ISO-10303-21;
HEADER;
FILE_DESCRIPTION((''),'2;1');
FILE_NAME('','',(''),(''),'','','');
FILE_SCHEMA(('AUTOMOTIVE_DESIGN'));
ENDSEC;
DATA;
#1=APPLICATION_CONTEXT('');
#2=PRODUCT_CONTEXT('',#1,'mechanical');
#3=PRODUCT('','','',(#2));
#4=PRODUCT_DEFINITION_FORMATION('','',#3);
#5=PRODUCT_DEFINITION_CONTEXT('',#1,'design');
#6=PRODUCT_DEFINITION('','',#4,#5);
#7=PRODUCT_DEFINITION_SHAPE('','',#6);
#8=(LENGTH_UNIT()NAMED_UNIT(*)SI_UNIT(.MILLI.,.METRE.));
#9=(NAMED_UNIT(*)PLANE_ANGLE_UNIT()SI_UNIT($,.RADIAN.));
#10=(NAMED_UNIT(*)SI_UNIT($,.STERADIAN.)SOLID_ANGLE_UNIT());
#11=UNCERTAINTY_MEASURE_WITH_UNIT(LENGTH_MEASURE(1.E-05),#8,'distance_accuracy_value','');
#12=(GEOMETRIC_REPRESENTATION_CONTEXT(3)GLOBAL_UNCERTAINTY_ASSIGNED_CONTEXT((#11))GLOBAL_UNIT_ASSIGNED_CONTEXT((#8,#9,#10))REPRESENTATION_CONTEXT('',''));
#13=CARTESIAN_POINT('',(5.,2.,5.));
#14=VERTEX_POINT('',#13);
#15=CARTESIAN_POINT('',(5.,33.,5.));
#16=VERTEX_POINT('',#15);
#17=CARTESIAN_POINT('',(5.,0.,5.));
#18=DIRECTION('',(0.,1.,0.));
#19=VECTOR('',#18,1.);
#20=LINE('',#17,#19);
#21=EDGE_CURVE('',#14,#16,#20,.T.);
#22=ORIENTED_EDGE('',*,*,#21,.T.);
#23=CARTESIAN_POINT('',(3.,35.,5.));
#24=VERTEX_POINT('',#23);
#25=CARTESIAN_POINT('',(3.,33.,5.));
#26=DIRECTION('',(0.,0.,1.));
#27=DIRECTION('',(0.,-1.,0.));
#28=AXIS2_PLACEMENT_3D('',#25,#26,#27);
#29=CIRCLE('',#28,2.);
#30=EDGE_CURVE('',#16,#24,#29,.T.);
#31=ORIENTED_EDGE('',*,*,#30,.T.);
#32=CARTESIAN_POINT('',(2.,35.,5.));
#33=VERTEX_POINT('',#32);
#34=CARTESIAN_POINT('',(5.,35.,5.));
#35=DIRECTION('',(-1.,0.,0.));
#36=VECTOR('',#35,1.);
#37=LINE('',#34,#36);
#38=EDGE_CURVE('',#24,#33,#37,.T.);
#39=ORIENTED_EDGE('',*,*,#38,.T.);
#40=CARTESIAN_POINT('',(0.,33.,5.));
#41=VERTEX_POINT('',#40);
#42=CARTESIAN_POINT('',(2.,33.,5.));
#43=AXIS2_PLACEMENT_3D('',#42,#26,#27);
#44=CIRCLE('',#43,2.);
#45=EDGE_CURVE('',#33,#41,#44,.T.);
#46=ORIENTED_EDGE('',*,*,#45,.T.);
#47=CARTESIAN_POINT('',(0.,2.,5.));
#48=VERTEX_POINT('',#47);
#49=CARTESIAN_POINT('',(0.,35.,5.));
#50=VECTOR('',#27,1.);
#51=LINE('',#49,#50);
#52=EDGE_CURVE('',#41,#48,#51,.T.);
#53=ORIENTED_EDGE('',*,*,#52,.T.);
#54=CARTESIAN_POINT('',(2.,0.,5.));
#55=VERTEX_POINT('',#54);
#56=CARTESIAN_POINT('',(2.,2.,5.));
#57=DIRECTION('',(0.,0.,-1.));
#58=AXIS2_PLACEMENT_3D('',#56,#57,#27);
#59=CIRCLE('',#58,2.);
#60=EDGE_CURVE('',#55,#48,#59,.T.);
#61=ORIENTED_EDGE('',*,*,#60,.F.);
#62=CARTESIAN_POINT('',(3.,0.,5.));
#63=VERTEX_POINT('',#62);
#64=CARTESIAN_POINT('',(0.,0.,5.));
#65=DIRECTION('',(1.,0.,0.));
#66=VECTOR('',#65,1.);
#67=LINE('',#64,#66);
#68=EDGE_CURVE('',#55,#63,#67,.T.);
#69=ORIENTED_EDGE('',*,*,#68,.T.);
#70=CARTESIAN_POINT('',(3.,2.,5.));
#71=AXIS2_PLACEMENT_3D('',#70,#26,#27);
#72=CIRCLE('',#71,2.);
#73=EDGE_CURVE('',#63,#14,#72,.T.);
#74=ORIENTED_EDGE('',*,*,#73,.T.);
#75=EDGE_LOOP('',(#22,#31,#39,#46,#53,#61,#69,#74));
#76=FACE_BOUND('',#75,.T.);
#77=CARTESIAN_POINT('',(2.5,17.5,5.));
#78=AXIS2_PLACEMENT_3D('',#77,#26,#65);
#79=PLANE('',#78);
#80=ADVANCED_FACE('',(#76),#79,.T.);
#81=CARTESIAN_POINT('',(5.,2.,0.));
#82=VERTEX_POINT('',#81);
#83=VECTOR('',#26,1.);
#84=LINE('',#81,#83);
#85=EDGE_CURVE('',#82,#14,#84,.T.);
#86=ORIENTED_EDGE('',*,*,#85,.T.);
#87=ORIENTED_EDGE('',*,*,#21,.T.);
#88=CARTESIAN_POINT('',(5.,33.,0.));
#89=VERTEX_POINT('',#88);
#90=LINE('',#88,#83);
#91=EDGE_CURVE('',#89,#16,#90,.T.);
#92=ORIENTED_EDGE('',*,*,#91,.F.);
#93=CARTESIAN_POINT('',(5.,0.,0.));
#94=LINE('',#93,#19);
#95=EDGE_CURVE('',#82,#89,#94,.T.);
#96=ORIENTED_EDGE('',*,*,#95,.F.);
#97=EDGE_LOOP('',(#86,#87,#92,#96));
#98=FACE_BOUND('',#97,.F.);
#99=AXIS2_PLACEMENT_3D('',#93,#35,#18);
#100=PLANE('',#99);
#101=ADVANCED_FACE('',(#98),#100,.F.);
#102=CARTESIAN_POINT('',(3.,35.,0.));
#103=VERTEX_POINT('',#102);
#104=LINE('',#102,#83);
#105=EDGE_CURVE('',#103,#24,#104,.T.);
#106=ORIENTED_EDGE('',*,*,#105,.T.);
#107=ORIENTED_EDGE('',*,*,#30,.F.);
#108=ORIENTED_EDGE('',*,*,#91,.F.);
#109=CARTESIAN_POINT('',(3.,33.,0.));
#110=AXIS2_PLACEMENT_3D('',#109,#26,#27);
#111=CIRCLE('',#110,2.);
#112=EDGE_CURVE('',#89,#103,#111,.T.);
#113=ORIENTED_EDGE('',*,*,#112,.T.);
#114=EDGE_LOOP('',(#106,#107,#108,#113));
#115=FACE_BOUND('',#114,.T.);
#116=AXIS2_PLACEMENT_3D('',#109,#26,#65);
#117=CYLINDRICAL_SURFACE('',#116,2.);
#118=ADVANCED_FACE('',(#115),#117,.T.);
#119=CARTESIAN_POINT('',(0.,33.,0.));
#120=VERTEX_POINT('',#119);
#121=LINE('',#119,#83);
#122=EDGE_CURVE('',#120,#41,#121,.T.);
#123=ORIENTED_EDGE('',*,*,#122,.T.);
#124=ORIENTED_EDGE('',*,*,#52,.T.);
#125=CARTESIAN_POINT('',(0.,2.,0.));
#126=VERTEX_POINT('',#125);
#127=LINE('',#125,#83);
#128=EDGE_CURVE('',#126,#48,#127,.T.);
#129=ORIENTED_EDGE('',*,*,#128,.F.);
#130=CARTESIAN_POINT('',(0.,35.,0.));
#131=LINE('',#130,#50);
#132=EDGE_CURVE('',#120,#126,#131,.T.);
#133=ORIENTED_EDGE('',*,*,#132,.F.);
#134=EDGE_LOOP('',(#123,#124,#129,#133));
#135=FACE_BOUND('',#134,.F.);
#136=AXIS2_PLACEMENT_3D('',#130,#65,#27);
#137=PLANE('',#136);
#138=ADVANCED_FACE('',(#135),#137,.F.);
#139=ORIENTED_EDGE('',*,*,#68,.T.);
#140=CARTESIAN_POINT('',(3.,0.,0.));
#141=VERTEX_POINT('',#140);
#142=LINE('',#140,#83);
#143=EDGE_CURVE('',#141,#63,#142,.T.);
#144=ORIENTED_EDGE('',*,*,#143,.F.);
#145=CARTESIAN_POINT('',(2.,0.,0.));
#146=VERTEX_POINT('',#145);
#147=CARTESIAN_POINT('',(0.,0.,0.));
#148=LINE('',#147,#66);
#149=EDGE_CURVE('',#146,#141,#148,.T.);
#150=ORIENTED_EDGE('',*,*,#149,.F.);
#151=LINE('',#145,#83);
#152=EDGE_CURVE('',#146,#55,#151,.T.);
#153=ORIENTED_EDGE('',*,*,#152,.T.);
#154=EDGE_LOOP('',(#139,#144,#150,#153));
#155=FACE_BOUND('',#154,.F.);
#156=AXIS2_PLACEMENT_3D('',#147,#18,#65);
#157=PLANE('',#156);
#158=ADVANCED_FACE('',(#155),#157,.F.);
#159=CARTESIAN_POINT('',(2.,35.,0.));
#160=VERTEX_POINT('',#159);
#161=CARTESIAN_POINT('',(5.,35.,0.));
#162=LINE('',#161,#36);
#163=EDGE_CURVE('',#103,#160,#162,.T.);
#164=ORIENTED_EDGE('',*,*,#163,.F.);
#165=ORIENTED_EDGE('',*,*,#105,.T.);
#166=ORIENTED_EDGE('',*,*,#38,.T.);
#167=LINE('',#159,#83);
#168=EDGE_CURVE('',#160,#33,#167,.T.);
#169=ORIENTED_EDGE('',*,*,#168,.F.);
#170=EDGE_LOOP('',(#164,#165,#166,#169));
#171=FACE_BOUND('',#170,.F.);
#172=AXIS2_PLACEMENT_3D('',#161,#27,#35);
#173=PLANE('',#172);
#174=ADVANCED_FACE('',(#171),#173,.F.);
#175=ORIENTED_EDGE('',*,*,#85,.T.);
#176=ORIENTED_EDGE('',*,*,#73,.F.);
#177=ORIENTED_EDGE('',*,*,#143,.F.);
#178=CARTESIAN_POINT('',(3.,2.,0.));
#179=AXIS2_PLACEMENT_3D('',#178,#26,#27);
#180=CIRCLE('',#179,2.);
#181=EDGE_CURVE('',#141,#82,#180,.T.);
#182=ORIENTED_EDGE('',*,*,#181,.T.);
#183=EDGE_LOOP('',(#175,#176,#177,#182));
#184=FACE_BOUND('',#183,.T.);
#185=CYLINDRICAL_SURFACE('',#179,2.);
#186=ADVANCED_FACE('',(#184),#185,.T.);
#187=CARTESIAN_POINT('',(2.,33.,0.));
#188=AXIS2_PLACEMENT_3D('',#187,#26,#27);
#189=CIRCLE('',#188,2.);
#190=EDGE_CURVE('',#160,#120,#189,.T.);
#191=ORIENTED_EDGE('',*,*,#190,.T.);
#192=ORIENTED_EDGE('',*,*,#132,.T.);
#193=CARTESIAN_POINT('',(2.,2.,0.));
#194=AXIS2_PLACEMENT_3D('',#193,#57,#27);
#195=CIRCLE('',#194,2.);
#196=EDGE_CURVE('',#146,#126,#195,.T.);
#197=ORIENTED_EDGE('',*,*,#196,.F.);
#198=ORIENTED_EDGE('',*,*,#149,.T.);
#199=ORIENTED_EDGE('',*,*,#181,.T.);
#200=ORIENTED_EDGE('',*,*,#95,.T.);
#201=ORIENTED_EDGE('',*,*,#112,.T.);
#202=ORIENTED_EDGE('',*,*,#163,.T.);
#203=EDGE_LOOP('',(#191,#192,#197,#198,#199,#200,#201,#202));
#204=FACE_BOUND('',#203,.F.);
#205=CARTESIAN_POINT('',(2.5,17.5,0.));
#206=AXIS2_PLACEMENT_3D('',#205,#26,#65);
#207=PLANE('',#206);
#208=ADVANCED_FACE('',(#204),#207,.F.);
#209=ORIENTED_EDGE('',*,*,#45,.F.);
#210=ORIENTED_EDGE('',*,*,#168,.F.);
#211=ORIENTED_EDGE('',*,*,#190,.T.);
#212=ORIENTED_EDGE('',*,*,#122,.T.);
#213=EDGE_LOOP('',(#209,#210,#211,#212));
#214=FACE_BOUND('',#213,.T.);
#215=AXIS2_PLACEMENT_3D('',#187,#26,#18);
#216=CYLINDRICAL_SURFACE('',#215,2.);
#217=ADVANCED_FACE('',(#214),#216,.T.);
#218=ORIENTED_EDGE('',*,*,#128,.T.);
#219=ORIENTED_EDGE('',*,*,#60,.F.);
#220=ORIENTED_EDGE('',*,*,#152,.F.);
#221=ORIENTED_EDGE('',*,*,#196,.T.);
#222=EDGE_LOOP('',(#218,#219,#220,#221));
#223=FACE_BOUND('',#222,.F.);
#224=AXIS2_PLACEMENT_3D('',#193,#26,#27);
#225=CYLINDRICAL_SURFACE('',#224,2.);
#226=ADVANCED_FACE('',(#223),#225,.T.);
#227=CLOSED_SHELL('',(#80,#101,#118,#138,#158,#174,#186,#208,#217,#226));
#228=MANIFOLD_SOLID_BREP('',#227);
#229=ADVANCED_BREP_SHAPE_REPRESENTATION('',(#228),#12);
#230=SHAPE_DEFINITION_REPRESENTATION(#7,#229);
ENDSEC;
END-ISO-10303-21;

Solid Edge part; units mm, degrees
sketch "Sketch1" plane through (0, 0, 0) normal (0, 0, 1) x (1, 0, 0)
  line L0 (0, 0) -> (5, 0)
  line L1 (5, 0) -> (5, 35)
  line L2 (5, 35) -> (0, 35)
  line L3 (0, 35) -> (0, 0)
  dimension "D1" = 5
  dimension "D2" = 35
extrude "Protrusion1" add sketch "Sketch1" along normal blind 5
fillet "Round_1" radius 2 4 edges at (5, 0, 2.5) (0, 0, 2.5) (5, 35, 2.5) (0, 35, 2.5)
